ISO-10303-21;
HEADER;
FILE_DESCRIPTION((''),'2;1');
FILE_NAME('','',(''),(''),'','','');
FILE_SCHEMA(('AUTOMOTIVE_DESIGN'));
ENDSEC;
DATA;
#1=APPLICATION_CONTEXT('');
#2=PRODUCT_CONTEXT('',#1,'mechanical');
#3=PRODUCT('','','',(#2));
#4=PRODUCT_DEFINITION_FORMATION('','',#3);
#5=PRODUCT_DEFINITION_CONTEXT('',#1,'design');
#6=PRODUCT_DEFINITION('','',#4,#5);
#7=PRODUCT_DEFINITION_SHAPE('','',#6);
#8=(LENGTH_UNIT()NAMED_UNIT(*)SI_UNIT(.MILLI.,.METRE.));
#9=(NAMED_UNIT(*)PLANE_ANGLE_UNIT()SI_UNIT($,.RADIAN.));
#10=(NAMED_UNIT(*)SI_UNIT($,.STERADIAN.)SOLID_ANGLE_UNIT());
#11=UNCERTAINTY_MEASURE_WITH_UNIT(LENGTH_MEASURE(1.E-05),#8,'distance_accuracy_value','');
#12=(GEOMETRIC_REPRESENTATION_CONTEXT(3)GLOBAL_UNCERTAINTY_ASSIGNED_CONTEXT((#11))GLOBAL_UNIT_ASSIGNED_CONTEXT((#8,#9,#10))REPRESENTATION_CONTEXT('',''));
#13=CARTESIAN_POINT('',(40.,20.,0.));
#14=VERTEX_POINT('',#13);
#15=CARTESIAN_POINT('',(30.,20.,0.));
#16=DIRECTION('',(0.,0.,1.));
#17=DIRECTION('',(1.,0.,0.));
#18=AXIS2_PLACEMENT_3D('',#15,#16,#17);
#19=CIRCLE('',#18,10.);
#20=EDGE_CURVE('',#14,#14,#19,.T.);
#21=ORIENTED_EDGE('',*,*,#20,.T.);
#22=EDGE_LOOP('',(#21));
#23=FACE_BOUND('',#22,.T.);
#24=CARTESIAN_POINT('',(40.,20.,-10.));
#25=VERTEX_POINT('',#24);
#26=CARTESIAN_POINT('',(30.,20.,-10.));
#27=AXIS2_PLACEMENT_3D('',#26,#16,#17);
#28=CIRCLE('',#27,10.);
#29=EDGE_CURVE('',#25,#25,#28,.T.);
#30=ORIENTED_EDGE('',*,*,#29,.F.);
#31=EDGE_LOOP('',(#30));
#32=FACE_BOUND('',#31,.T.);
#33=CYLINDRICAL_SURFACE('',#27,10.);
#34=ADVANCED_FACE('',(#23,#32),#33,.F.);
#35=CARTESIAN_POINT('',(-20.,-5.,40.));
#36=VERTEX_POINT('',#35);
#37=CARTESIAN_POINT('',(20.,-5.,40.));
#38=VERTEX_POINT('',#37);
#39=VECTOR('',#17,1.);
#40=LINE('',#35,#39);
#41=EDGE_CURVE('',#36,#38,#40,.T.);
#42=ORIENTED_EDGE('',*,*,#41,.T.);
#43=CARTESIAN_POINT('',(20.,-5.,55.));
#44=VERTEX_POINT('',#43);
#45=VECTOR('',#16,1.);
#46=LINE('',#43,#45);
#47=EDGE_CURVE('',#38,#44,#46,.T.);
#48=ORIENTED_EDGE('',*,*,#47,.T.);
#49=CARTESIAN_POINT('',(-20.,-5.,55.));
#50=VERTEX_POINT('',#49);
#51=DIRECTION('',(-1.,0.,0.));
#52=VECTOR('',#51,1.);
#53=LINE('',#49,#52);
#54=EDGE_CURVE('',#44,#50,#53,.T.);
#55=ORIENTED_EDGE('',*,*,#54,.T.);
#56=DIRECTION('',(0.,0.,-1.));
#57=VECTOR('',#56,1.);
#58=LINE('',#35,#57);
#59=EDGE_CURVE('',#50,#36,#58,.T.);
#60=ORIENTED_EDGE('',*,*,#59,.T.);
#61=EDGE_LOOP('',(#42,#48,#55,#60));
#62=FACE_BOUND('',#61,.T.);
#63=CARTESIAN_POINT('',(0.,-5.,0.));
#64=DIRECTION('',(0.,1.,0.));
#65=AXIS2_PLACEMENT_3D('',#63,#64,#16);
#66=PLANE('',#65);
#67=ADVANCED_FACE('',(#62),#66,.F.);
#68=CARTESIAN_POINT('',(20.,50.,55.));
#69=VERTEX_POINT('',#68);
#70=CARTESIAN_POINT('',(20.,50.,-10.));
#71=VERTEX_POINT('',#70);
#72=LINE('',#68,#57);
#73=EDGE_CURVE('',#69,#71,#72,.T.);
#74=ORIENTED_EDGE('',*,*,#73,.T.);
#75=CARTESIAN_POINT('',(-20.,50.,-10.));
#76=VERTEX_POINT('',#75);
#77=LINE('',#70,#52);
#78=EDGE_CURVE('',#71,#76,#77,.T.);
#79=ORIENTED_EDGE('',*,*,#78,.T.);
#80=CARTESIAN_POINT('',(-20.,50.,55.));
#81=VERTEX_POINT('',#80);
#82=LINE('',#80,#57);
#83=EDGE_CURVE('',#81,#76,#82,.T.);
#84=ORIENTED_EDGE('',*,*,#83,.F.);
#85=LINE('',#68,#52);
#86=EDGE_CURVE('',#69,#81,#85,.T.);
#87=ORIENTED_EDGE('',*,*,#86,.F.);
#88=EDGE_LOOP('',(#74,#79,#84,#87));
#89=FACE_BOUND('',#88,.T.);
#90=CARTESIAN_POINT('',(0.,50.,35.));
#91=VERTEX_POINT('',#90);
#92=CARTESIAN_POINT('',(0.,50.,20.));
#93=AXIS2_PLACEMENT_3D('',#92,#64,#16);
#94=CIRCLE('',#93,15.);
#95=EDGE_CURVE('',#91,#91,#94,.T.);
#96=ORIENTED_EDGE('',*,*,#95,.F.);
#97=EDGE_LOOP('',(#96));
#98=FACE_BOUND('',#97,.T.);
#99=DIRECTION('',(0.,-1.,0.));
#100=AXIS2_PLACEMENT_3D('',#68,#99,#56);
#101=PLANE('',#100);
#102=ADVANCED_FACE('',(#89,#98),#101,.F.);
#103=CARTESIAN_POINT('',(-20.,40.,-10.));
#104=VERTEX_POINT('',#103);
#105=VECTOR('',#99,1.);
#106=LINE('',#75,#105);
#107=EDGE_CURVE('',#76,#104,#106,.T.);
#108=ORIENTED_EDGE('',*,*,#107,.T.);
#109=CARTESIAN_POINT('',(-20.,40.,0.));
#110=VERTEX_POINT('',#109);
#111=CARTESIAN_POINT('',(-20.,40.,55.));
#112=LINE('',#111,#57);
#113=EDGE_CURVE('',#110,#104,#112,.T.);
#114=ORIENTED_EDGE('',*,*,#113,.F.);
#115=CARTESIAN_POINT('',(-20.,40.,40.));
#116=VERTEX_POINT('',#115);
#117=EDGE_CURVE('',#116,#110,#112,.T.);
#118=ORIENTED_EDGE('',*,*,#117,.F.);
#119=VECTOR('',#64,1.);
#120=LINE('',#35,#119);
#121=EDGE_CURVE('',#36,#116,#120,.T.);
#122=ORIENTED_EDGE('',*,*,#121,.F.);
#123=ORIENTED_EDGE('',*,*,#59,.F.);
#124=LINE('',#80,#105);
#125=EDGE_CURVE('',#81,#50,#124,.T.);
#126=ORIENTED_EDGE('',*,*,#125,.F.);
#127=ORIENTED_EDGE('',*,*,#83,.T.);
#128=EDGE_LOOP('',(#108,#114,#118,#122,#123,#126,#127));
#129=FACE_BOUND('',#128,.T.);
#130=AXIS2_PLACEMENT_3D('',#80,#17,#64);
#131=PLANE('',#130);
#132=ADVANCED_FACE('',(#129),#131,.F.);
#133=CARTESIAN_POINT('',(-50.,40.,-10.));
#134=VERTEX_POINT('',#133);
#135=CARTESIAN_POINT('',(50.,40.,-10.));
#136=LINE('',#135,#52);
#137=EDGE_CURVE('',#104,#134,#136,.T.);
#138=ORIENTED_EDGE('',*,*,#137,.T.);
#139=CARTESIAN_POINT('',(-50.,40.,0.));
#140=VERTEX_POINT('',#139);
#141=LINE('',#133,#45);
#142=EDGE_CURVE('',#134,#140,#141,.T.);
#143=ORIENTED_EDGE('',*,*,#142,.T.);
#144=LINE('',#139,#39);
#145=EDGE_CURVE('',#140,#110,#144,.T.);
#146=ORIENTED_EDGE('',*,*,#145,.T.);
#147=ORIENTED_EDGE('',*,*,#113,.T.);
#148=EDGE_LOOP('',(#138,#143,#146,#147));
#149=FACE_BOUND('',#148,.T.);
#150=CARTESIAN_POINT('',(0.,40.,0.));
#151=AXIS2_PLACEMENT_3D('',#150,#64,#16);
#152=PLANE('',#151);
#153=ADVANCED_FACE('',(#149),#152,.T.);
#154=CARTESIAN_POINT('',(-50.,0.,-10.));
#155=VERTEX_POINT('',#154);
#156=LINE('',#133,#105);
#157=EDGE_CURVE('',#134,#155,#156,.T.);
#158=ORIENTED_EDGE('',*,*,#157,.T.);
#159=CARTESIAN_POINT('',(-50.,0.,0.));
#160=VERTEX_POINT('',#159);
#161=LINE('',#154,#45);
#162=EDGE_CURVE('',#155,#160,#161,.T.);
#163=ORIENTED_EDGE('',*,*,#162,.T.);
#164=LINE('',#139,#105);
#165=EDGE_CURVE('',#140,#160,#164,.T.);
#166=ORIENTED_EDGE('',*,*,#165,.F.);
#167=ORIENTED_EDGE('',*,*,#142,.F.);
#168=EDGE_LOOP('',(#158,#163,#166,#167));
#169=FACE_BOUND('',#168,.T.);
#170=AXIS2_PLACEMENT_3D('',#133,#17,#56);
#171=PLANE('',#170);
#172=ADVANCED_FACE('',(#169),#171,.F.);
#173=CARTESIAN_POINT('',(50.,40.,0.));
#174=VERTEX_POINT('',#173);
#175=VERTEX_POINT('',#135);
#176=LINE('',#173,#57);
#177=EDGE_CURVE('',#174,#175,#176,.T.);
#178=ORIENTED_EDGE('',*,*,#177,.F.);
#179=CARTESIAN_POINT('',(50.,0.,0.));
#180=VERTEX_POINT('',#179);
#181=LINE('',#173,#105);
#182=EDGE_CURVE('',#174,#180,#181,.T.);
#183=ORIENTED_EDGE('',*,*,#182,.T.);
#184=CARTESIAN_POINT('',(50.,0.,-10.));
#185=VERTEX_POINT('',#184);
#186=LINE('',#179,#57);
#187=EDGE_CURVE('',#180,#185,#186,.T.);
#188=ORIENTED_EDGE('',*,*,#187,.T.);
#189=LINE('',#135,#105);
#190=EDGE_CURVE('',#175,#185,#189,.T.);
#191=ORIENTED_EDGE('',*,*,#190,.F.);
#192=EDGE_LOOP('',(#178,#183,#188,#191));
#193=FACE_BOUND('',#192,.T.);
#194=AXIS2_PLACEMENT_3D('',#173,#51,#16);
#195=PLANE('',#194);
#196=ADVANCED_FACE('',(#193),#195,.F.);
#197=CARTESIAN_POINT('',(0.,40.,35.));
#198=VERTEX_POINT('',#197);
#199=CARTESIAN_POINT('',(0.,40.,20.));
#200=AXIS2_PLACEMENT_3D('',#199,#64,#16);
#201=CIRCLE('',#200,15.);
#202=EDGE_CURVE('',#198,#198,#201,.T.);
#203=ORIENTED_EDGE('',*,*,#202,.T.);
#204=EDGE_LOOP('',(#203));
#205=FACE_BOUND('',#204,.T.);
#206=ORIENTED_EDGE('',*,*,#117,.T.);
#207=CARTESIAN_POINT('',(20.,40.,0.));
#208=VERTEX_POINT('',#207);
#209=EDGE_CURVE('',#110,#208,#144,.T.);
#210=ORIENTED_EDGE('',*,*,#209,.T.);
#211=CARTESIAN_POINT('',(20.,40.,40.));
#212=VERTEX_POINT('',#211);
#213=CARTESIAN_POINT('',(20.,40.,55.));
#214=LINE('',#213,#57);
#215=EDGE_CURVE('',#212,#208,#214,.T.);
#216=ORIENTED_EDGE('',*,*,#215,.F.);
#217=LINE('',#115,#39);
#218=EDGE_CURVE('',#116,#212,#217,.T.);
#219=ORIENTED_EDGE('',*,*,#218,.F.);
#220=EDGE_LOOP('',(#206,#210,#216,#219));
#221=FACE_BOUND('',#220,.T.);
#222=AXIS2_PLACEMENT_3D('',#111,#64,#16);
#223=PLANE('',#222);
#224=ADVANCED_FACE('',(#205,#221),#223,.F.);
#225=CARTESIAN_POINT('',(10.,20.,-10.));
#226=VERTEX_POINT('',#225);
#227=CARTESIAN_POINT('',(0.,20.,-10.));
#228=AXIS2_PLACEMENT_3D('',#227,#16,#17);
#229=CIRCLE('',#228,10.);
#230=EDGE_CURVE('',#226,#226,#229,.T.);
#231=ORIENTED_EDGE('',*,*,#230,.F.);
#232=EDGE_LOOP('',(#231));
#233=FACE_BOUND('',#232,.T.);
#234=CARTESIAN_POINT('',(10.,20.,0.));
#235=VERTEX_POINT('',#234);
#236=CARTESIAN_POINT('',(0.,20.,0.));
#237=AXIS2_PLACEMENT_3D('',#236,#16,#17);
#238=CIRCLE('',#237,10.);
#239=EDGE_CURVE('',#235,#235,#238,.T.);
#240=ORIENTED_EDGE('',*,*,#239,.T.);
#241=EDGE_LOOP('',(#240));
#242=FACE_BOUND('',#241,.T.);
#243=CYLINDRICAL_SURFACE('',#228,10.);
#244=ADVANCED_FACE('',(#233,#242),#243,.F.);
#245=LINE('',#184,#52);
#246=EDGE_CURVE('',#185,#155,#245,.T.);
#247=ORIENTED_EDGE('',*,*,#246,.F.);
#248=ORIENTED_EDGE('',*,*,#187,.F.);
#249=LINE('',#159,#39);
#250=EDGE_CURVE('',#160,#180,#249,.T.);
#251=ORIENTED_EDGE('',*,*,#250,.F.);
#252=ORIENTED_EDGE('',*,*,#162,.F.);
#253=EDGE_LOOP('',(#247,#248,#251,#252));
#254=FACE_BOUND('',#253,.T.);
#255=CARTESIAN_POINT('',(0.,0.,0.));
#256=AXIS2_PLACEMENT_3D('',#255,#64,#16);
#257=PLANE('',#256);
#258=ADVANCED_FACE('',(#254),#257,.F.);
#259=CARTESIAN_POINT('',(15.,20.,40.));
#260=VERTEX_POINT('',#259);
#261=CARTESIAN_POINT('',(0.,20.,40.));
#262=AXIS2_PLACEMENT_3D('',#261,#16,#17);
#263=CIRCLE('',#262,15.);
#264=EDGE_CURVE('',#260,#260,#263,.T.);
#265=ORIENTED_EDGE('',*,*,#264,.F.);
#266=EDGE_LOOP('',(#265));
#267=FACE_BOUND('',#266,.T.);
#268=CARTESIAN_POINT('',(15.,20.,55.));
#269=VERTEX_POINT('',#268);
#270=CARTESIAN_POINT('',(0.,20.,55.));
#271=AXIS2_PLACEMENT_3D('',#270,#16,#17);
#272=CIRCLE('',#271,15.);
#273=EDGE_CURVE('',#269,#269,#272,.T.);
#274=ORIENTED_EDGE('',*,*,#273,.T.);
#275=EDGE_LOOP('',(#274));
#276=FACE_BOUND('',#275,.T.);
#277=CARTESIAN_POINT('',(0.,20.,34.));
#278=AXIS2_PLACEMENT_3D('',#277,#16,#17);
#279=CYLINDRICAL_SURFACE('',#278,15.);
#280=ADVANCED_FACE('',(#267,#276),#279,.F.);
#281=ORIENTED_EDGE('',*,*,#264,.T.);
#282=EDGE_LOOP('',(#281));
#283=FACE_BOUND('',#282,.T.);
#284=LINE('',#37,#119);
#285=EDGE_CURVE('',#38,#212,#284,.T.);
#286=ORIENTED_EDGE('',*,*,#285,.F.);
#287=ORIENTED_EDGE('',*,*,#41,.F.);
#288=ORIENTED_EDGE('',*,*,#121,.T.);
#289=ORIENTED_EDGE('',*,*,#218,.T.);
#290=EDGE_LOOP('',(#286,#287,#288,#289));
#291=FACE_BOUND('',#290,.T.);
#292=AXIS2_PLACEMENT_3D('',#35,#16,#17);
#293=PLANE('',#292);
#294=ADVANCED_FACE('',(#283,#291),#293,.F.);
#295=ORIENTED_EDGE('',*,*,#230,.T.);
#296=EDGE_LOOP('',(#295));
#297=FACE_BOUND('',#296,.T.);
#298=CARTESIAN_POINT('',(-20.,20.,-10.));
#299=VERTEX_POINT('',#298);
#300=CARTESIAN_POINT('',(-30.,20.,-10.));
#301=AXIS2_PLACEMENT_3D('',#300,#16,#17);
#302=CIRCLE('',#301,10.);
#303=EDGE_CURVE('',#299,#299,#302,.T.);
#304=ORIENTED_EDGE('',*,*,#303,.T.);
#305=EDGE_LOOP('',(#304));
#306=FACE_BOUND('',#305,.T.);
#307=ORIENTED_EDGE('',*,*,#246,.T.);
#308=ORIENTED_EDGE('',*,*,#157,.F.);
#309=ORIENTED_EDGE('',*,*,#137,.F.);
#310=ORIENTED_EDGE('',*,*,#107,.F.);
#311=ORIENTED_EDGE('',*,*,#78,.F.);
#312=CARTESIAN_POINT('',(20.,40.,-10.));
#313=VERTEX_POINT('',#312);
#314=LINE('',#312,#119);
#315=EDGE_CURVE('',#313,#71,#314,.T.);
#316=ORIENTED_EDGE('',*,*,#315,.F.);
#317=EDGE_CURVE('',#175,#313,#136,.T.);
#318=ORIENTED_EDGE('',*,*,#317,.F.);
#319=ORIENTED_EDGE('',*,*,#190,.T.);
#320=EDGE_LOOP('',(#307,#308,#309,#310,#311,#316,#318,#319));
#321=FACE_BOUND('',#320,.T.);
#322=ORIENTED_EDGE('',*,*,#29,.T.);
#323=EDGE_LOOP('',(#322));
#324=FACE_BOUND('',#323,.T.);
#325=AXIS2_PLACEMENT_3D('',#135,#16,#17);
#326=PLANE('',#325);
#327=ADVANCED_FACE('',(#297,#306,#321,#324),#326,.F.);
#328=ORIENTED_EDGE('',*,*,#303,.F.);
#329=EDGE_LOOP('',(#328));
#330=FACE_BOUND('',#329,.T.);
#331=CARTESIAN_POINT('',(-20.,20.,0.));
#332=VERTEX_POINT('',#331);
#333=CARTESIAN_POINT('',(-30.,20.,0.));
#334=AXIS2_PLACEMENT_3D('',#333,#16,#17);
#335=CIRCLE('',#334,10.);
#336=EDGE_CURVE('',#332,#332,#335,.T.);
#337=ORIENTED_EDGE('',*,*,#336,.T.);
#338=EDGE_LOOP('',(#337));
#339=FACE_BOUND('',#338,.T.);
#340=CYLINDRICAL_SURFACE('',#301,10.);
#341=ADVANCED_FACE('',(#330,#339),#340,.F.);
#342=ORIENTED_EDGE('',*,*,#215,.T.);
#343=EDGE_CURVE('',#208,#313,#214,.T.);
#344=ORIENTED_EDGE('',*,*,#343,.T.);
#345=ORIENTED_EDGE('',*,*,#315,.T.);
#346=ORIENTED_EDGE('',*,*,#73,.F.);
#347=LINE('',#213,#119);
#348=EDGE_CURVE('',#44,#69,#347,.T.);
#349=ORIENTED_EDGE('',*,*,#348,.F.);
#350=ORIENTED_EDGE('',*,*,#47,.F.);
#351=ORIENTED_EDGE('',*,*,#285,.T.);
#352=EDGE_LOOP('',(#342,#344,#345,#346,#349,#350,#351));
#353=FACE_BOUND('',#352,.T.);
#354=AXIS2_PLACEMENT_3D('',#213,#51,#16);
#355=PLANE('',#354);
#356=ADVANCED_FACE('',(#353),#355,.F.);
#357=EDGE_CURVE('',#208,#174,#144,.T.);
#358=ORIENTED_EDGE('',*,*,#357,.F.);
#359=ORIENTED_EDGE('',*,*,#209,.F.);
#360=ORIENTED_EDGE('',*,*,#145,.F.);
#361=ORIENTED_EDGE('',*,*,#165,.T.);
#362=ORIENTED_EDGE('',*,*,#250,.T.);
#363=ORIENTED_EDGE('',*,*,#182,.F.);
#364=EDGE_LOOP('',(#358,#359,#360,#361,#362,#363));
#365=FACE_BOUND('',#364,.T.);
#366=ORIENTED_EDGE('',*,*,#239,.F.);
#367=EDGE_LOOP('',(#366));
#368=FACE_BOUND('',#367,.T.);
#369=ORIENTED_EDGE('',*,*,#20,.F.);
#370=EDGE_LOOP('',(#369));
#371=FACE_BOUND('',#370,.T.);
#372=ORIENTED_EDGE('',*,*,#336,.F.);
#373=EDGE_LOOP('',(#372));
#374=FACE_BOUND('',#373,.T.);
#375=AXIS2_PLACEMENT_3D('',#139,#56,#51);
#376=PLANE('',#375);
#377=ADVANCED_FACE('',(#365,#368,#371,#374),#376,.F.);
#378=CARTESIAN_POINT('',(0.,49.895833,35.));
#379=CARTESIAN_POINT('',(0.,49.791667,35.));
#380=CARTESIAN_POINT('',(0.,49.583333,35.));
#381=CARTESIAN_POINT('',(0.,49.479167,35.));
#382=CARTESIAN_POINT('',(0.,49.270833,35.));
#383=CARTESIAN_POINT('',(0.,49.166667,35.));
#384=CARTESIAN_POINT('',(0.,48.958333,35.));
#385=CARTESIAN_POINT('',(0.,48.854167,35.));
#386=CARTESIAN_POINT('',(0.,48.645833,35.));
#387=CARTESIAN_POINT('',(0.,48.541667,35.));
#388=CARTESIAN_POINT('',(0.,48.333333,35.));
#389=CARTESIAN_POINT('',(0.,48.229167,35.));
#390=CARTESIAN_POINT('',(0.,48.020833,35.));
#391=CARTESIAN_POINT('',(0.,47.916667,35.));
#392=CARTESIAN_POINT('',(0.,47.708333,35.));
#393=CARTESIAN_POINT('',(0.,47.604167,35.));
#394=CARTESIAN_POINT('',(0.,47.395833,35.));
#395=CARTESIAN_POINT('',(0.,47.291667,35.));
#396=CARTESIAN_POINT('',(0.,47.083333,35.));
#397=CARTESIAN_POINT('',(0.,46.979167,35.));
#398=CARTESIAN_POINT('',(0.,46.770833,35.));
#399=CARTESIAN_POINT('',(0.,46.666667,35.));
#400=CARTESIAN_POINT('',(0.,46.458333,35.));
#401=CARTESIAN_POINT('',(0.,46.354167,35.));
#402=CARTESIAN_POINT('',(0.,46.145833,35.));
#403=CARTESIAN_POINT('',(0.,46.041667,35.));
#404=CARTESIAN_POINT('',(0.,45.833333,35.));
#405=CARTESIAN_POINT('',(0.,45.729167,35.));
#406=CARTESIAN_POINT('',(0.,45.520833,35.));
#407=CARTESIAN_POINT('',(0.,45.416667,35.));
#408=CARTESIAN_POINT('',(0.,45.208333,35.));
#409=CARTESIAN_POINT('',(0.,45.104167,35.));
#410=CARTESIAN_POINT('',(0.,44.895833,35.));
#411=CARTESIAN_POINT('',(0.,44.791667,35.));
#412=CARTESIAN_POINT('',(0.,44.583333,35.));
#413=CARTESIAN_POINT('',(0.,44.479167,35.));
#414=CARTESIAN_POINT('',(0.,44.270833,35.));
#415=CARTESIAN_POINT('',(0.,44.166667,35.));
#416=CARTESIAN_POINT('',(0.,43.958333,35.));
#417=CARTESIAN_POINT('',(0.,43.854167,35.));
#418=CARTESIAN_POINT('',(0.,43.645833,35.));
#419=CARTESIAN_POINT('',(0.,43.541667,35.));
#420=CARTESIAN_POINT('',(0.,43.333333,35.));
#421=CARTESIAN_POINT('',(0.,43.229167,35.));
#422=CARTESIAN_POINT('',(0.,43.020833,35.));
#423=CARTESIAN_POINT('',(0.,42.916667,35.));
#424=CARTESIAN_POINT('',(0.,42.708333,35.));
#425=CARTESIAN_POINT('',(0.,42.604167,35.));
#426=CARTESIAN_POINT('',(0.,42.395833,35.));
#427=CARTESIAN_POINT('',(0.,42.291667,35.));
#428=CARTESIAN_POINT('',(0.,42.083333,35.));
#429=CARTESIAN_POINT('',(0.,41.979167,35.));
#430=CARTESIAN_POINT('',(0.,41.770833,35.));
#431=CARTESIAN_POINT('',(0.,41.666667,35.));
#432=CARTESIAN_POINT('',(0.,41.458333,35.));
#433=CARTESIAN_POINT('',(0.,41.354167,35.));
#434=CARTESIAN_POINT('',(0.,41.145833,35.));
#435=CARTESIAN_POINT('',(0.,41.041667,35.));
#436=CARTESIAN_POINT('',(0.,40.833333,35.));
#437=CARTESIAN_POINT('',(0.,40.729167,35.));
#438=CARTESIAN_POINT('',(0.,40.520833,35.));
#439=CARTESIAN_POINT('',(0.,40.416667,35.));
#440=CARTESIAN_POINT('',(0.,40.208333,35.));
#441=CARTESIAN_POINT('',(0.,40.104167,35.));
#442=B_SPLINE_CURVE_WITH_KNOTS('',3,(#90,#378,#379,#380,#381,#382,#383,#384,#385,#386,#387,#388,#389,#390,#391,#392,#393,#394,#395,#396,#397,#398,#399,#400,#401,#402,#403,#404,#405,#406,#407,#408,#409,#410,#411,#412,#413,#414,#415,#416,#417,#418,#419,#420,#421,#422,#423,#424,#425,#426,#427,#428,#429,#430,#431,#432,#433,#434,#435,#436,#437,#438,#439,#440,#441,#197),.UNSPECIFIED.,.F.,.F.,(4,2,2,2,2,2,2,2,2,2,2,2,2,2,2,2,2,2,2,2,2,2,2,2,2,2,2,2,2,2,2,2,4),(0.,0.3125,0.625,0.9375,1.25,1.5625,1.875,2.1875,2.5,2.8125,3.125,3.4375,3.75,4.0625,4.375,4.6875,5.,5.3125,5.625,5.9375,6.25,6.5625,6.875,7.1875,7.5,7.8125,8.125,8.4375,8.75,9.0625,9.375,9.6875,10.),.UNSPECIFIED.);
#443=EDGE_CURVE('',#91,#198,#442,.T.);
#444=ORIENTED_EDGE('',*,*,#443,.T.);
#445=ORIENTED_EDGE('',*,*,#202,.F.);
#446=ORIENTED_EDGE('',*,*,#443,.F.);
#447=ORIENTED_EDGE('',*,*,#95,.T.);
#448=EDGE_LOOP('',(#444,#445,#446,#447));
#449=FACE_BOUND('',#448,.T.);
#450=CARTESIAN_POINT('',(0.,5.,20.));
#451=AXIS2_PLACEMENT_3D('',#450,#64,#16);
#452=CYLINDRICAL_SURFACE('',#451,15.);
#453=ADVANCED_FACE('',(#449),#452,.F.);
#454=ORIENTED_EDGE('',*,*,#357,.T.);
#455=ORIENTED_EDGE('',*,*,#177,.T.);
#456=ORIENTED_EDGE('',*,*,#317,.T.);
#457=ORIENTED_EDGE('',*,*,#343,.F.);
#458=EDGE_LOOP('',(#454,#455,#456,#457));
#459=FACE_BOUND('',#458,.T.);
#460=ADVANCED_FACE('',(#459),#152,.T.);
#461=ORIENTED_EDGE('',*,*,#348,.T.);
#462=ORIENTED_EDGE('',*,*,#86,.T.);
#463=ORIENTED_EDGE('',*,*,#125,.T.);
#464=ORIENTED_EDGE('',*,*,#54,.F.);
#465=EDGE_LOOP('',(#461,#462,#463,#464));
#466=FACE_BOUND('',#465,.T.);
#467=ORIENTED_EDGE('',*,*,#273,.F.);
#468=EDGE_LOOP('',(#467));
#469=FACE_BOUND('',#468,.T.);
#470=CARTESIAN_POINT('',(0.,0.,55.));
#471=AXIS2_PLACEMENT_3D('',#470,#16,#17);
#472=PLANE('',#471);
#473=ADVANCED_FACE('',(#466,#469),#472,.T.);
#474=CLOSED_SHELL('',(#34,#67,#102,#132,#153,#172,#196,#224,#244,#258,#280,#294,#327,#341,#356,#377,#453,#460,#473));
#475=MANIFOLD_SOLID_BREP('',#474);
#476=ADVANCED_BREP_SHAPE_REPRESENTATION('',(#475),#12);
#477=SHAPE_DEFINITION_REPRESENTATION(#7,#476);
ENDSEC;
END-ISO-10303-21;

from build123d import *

# Parameters (mm, degrees)
ESBO_O1_W                = 100
ESBO_O1_H                = 10
RESSALTO_EXTRUS_O1_DEPTH = 40
ESBO_O3_W                = 40
ESBO_O3_H                = 10
RESSALTO_EXTRUS_O2_DEPTH = 65
ESBO_O4_W                = 40
ESBO_O4_H                = 15
RESSALTO_EXTRUS_O3_DEPTH = 45
ESBO_O5_R                = 10
CORTE_EXTRUS_O1_DEPTH    = 90.582364336
ESBO_O7_R                = 15
CORTE_EXTRUS_O3_DEPTH    = 45
ESBO_O6_R                = 15
CORTE_EXTRUS_O4_DEPTH    = 21


with BuildPart() as part:
    # Esboço1 → Ressalto-extrusão1 (new body)
    with BuildSketch(Plane(origin=(0, 0, 0), x_dir=(1, 0, 0), z_dir=(0, 1, 0))):
        with Locations((0, 5)):
            Rectangle(ESBO_O1_W, ESBO_O1_H)
    extrude(amount=RESSALTO_EXTRUS_O1_DEPTH)

    # Esboço3 → Ressalto-extrusão2 (add)
    with BuildSketch(Plane(origin=(0, 0, -10), x_dir=(-1, 0, 0), z_dir=(0, 0, -1))):
        with Locations((0, 45)):
            Rectangle(ESBO_O3_W, ESBO_O3_H)
    extrude(amount=-RESSALTO_EXTRUS_O2_DEPTH)

    # Esboço4 → Ressalto-extrusão3 (add)
    with BuildSketch(Plane.XZ.offset(-40)):
        with Locations((0, 47.5)):
            Rectangle(ESBO_O4_W, ESBO_O4_H)
    extrude(amount=RESSALTO_EXTRUS_O3_DEPTH)

    # Esboço5 → Corte-extrusão1 (cut, through all)
    with BuildSketch(Plane.XY):
        with Locations((-30, 20)):
            Circle(ESBO_O5_R)
        with Locations((30, 20)):
            Circle(ESBO_O5_R)
        with Locations((0, 20)):
            Circle(ESBO_O5_R)
    extrude(amount=-CORTE_EXTRUS_O1_DEPTH, mode=Mode.SUBTRACT)

    # Esboço7 → Corte-extrusão3 (cut)
    with BuildSketch(Plane(origin=(0, 50, 0), x_dir=(1, 0, 0), z_dir=(0, 1, 0))):
        with Locations(Location((0, -20, 0), (0, 0, 270))):
            Circle(ESBO_O7_R)
    extrude(amount=-CORTE_EXTRUS_O3_DEPTH, mode=Mode.SUBTRACT)

    # Esboço6 → Corte-extrusão4 (cut)
    with BuildSketch(Plane.XY.offset(55)):
        with Locations((0, 20)):
            Circle(ESBO_O6_R)
    extrude(amount=-CORTE_EXTRUS_O4_DEPTH, mode=Mode.SUBTRACT)


solid = part.part
